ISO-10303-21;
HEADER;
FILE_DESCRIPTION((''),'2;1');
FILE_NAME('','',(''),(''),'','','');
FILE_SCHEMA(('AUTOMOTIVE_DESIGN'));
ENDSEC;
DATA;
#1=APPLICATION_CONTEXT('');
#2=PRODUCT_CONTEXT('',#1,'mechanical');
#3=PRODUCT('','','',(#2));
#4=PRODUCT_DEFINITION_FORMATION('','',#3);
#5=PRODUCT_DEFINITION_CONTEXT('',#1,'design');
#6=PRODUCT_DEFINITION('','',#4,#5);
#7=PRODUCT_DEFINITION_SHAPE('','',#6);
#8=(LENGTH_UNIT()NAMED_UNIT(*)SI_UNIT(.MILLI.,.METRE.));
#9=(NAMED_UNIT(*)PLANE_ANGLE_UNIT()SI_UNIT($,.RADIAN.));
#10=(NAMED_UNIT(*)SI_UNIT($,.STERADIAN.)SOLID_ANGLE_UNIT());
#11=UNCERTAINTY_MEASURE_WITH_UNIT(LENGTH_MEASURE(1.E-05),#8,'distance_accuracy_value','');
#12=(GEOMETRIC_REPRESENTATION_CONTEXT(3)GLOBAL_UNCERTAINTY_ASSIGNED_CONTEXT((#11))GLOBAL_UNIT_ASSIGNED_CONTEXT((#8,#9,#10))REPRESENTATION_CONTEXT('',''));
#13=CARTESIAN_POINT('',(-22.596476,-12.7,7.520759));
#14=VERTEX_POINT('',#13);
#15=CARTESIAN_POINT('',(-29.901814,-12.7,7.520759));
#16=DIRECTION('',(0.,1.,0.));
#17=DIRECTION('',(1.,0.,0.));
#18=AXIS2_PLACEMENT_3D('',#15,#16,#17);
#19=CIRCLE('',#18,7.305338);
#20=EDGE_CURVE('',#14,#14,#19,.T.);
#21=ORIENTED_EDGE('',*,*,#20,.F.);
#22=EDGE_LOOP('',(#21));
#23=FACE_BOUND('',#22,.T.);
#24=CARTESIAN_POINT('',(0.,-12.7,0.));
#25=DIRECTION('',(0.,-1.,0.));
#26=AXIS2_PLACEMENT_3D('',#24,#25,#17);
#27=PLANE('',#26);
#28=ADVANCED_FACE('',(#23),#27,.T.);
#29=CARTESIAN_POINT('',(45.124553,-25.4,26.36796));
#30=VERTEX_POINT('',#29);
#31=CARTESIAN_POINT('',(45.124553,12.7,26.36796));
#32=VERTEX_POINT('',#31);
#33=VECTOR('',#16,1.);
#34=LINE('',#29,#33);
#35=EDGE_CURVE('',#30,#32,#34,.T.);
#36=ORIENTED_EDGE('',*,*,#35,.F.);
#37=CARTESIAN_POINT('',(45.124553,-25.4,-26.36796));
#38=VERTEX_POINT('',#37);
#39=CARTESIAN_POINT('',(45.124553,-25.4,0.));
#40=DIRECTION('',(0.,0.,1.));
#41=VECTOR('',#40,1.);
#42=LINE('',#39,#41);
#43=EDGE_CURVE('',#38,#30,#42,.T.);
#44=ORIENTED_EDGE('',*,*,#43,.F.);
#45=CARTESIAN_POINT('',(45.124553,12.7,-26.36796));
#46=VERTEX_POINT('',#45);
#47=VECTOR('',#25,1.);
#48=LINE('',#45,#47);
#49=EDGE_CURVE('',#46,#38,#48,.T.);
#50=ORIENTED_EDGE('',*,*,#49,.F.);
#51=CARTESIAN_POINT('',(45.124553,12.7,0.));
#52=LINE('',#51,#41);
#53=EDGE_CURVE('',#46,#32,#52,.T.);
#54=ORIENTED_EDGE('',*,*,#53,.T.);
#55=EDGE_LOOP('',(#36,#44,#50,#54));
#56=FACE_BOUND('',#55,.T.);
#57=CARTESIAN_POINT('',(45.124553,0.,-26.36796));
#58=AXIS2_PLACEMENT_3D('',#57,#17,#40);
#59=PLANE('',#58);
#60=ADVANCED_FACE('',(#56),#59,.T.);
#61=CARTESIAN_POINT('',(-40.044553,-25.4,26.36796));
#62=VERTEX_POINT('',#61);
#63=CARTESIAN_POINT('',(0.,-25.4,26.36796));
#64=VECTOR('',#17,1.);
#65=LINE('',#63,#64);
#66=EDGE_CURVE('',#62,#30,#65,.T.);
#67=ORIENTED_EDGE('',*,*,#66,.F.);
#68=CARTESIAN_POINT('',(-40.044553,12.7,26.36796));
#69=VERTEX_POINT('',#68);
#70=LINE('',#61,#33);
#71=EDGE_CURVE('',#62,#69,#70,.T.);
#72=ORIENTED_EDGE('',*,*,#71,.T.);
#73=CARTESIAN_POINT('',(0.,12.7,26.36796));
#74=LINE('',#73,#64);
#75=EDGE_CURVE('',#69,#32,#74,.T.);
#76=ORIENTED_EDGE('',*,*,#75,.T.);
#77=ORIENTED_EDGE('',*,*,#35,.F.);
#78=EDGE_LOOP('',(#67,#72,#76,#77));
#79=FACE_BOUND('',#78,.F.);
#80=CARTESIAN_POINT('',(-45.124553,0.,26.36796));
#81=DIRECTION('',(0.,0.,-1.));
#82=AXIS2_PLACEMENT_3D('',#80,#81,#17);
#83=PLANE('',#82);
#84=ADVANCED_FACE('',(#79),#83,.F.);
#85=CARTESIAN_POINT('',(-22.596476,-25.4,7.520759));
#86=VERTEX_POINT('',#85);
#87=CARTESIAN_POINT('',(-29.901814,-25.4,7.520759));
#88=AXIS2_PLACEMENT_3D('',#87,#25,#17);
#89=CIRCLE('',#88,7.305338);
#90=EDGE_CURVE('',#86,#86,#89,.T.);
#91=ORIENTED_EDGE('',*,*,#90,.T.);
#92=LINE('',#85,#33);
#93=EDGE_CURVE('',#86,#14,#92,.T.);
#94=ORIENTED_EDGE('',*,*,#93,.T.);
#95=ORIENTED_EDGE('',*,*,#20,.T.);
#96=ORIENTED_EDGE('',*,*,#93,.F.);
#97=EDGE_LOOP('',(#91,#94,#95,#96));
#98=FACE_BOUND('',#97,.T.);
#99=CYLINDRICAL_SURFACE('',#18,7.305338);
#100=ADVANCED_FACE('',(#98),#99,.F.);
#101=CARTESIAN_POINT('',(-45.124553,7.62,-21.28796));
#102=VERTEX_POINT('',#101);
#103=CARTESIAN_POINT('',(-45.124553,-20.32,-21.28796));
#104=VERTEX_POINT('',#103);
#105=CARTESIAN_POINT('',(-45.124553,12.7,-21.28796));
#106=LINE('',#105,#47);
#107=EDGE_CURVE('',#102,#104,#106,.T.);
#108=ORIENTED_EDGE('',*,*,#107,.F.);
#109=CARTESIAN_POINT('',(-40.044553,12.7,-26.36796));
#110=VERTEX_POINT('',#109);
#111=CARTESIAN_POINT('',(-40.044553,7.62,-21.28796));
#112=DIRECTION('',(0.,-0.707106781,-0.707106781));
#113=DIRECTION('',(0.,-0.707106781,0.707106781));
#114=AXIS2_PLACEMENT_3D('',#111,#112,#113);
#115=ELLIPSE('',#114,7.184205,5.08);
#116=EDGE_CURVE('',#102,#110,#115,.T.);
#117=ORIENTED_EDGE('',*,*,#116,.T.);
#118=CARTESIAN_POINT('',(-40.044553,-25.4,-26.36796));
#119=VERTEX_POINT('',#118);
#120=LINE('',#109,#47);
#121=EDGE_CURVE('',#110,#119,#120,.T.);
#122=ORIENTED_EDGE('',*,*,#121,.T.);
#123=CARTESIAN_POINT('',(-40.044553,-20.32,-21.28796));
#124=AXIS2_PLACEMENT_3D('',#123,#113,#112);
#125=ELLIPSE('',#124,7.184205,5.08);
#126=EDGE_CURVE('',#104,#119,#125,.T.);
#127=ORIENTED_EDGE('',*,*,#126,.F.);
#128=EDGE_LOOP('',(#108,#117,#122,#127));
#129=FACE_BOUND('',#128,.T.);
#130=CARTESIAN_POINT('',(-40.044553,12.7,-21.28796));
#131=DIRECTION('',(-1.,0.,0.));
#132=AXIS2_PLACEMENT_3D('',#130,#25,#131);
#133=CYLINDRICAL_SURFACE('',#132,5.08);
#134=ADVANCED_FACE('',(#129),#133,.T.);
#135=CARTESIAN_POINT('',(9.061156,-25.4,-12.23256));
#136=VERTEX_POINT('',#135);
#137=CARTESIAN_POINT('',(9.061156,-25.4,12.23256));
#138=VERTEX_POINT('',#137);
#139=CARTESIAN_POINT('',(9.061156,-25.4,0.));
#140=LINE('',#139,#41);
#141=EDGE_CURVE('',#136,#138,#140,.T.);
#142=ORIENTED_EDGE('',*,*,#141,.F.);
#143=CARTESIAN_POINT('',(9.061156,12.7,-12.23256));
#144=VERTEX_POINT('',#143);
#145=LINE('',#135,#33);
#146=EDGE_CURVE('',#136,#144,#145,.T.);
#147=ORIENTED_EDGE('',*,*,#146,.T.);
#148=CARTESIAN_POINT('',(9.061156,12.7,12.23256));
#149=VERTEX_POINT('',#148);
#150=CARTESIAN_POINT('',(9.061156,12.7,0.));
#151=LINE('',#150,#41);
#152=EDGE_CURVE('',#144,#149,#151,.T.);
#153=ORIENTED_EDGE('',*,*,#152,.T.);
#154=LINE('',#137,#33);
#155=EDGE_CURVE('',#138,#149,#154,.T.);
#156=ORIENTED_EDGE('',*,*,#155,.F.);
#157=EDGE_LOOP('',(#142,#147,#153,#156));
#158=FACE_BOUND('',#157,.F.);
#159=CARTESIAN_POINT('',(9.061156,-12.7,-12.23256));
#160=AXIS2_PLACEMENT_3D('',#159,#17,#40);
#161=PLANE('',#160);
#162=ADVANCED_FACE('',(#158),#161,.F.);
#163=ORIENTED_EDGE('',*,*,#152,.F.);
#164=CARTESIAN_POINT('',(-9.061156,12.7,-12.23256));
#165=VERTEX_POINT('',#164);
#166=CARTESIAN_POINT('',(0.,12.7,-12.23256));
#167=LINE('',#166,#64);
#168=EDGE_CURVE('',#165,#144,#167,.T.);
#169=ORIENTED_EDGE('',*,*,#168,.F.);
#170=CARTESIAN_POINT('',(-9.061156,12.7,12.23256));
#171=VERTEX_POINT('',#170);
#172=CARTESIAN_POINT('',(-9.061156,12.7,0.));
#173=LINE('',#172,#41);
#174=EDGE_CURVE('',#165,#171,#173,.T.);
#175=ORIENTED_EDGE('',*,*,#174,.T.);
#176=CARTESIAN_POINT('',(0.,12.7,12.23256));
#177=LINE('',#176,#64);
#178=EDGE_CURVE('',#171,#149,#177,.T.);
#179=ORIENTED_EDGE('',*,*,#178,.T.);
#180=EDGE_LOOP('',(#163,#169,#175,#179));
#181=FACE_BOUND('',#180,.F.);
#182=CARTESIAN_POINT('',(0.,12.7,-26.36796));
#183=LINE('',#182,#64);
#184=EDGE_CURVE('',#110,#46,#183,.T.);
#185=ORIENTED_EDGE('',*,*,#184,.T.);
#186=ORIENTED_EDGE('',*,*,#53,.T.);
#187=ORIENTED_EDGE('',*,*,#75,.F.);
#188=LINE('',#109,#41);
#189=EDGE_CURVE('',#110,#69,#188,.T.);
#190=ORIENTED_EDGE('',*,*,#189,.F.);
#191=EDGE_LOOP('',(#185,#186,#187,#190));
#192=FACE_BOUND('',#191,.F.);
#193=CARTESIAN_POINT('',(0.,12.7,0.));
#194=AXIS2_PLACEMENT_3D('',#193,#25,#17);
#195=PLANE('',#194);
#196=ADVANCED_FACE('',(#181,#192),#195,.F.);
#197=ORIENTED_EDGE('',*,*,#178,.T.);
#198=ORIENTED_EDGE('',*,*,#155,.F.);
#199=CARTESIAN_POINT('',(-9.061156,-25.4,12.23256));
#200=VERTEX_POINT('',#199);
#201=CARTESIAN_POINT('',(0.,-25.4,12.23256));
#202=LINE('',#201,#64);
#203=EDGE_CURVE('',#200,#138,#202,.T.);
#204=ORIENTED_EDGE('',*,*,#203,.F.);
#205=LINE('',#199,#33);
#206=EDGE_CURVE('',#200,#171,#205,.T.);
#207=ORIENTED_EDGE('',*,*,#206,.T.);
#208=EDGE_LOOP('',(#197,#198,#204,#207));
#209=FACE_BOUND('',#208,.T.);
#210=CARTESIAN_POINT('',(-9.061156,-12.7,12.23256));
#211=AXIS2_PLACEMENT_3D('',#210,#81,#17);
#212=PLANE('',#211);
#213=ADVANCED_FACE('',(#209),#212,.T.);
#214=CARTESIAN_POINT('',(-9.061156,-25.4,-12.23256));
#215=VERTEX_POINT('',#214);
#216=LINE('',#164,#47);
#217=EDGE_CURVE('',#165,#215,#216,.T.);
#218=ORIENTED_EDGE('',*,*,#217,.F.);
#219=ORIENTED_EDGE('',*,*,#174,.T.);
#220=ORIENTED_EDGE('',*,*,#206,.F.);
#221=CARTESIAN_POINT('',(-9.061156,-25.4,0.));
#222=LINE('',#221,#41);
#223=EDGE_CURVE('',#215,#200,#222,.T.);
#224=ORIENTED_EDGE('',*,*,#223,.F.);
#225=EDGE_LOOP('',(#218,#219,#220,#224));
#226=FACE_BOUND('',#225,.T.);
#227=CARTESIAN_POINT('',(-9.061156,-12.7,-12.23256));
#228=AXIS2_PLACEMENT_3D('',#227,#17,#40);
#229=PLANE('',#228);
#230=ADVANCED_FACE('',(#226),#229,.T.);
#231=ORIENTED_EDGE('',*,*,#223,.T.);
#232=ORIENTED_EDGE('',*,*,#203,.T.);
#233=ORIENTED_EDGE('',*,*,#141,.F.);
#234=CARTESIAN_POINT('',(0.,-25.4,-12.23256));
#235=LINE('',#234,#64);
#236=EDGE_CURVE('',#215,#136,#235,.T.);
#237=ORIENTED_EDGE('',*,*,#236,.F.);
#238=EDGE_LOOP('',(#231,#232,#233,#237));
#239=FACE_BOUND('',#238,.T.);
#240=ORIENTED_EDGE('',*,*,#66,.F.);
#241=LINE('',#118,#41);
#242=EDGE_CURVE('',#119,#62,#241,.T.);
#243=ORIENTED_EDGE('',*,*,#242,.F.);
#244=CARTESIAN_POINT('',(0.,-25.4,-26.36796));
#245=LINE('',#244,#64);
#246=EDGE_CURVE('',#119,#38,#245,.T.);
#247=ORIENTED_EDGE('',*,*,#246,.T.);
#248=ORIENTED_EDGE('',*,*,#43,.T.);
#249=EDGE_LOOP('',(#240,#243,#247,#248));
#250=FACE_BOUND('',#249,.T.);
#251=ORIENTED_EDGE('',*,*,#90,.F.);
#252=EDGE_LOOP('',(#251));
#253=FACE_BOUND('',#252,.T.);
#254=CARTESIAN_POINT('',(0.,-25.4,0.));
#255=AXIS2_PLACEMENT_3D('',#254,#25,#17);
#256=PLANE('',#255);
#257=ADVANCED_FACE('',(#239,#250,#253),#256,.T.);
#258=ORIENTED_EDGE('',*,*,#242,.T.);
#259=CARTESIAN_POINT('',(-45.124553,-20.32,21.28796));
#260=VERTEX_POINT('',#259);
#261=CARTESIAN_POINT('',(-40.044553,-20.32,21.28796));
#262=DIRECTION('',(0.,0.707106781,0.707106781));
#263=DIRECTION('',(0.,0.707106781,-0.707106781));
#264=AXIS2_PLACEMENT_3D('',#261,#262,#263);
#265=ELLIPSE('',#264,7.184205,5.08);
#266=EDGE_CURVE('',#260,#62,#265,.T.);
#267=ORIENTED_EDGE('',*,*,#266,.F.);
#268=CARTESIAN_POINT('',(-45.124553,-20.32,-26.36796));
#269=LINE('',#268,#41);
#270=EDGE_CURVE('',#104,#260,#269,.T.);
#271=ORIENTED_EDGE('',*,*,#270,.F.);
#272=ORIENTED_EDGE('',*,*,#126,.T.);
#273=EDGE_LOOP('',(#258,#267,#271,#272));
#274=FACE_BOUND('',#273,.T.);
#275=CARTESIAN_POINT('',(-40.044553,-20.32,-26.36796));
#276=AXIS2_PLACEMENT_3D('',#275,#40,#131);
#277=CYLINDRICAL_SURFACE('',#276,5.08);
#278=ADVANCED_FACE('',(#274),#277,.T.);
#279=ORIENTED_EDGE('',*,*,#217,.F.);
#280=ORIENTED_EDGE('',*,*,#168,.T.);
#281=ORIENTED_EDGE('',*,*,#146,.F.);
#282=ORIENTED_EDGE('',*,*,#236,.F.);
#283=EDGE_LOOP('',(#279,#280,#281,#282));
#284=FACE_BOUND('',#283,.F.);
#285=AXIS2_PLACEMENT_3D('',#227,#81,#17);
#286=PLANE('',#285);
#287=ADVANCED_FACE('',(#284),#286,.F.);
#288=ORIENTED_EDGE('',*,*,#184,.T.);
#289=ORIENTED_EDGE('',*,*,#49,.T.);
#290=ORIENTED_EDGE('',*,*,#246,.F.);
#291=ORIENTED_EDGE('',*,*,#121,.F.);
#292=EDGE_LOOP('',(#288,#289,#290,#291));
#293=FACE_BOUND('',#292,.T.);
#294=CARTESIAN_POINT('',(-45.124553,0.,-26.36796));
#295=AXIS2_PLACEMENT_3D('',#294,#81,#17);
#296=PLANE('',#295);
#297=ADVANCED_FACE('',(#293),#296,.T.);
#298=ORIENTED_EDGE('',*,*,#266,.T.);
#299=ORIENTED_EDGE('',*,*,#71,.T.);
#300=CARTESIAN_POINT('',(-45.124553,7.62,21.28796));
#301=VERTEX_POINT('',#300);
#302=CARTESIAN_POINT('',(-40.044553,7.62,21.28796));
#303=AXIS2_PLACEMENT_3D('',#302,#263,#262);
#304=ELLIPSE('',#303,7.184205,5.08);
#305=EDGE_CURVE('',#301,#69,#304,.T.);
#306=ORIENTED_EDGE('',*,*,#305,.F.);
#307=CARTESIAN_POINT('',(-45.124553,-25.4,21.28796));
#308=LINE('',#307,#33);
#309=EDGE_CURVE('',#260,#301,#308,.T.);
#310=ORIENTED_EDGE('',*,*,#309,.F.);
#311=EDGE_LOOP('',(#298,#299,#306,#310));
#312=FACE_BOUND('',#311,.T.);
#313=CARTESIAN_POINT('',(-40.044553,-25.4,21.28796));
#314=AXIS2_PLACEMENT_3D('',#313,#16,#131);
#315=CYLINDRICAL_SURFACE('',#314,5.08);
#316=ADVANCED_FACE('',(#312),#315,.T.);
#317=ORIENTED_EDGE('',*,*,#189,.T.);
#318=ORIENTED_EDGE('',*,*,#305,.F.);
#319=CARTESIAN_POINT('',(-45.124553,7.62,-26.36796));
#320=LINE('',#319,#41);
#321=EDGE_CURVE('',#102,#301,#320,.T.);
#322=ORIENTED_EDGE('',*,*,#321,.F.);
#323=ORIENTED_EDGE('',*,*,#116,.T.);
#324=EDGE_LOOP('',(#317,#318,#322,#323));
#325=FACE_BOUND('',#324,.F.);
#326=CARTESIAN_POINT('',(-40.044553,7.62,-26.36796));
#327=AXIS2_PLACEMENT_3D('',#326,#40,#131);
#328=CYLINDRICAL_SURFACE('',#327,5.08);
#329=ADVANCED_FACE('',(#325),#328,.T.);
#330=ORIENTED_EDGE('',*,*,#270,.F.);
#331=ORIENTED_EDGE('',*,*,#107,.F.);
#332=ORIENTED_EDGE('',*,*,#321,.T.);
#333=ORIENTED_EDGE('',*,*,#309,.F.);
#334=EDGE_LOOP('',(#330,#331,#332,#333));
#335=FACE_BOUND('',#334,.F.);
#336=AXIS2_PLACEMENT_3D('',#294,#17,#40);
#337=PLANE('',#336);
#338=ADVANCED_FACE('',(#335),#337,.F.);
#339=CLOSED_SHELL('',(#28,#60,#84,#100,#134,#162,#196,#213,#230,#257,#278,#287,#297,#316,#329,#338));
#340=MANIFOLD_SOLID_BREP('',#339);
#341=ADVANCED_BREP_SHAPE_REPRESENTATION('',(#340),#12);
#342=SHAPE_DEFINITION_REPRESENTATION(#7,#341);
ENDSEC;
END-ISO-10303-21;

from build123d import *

# Parameters (mm, degrees)
F0_W     = 90.249106
F0_H     = 52.73592
F0_W_2   = 18.122312
F0_H_2   = 24.46512
F1_DEPTH = 12.7
F2_W     = 90.249106
F2_H     = 52.73592
F2_R     = 7.305338
F2_W_2   = 18.122312
F2_H_2   = 24.46512
F3_DEPTH = 12.7
F4_R     = 5.08


with BuildPart() as f1:
    # F0 (on Front) → F1 (new body, symmetric)
    with BuildSketch(Plane.XZ):
        Rectangle(F0_W, F0_H)
        Rectangle(F0_W_2, F0_H_2, mode=Mode.SUBTRACT)
    extrude(amount=F1_DEPTH, both=True)

    # F2 (on face) → F3 (join, symmetric)
    with BuildSketch(Plane.XZ.offset(12.7)):
        Rectangle(F2_W, F2_H)
        with Locations((-29.901814, 7.520759)):
            Circle(F2_R, mode=Mode.SUBTRACT)
        Rectangle(F2_W_2, F2_H_2, mode=Mode.SUBTRACT)
    extrude(amount=F3_DEPTH, both=True)

    # F4
    f4_edges = [f1.edges().sort_by_distance(p)[0] for p in [
        (-45.124553, -6.35, 26.36796),
        (-45.124553, 12.7, 0),
        (-45.124553, -6.35, -26.36796),
        (-45.124553, -25.4, 0),
    ]]
    fillet(f4_edges, radius=F4_R)


solid = f1.part
